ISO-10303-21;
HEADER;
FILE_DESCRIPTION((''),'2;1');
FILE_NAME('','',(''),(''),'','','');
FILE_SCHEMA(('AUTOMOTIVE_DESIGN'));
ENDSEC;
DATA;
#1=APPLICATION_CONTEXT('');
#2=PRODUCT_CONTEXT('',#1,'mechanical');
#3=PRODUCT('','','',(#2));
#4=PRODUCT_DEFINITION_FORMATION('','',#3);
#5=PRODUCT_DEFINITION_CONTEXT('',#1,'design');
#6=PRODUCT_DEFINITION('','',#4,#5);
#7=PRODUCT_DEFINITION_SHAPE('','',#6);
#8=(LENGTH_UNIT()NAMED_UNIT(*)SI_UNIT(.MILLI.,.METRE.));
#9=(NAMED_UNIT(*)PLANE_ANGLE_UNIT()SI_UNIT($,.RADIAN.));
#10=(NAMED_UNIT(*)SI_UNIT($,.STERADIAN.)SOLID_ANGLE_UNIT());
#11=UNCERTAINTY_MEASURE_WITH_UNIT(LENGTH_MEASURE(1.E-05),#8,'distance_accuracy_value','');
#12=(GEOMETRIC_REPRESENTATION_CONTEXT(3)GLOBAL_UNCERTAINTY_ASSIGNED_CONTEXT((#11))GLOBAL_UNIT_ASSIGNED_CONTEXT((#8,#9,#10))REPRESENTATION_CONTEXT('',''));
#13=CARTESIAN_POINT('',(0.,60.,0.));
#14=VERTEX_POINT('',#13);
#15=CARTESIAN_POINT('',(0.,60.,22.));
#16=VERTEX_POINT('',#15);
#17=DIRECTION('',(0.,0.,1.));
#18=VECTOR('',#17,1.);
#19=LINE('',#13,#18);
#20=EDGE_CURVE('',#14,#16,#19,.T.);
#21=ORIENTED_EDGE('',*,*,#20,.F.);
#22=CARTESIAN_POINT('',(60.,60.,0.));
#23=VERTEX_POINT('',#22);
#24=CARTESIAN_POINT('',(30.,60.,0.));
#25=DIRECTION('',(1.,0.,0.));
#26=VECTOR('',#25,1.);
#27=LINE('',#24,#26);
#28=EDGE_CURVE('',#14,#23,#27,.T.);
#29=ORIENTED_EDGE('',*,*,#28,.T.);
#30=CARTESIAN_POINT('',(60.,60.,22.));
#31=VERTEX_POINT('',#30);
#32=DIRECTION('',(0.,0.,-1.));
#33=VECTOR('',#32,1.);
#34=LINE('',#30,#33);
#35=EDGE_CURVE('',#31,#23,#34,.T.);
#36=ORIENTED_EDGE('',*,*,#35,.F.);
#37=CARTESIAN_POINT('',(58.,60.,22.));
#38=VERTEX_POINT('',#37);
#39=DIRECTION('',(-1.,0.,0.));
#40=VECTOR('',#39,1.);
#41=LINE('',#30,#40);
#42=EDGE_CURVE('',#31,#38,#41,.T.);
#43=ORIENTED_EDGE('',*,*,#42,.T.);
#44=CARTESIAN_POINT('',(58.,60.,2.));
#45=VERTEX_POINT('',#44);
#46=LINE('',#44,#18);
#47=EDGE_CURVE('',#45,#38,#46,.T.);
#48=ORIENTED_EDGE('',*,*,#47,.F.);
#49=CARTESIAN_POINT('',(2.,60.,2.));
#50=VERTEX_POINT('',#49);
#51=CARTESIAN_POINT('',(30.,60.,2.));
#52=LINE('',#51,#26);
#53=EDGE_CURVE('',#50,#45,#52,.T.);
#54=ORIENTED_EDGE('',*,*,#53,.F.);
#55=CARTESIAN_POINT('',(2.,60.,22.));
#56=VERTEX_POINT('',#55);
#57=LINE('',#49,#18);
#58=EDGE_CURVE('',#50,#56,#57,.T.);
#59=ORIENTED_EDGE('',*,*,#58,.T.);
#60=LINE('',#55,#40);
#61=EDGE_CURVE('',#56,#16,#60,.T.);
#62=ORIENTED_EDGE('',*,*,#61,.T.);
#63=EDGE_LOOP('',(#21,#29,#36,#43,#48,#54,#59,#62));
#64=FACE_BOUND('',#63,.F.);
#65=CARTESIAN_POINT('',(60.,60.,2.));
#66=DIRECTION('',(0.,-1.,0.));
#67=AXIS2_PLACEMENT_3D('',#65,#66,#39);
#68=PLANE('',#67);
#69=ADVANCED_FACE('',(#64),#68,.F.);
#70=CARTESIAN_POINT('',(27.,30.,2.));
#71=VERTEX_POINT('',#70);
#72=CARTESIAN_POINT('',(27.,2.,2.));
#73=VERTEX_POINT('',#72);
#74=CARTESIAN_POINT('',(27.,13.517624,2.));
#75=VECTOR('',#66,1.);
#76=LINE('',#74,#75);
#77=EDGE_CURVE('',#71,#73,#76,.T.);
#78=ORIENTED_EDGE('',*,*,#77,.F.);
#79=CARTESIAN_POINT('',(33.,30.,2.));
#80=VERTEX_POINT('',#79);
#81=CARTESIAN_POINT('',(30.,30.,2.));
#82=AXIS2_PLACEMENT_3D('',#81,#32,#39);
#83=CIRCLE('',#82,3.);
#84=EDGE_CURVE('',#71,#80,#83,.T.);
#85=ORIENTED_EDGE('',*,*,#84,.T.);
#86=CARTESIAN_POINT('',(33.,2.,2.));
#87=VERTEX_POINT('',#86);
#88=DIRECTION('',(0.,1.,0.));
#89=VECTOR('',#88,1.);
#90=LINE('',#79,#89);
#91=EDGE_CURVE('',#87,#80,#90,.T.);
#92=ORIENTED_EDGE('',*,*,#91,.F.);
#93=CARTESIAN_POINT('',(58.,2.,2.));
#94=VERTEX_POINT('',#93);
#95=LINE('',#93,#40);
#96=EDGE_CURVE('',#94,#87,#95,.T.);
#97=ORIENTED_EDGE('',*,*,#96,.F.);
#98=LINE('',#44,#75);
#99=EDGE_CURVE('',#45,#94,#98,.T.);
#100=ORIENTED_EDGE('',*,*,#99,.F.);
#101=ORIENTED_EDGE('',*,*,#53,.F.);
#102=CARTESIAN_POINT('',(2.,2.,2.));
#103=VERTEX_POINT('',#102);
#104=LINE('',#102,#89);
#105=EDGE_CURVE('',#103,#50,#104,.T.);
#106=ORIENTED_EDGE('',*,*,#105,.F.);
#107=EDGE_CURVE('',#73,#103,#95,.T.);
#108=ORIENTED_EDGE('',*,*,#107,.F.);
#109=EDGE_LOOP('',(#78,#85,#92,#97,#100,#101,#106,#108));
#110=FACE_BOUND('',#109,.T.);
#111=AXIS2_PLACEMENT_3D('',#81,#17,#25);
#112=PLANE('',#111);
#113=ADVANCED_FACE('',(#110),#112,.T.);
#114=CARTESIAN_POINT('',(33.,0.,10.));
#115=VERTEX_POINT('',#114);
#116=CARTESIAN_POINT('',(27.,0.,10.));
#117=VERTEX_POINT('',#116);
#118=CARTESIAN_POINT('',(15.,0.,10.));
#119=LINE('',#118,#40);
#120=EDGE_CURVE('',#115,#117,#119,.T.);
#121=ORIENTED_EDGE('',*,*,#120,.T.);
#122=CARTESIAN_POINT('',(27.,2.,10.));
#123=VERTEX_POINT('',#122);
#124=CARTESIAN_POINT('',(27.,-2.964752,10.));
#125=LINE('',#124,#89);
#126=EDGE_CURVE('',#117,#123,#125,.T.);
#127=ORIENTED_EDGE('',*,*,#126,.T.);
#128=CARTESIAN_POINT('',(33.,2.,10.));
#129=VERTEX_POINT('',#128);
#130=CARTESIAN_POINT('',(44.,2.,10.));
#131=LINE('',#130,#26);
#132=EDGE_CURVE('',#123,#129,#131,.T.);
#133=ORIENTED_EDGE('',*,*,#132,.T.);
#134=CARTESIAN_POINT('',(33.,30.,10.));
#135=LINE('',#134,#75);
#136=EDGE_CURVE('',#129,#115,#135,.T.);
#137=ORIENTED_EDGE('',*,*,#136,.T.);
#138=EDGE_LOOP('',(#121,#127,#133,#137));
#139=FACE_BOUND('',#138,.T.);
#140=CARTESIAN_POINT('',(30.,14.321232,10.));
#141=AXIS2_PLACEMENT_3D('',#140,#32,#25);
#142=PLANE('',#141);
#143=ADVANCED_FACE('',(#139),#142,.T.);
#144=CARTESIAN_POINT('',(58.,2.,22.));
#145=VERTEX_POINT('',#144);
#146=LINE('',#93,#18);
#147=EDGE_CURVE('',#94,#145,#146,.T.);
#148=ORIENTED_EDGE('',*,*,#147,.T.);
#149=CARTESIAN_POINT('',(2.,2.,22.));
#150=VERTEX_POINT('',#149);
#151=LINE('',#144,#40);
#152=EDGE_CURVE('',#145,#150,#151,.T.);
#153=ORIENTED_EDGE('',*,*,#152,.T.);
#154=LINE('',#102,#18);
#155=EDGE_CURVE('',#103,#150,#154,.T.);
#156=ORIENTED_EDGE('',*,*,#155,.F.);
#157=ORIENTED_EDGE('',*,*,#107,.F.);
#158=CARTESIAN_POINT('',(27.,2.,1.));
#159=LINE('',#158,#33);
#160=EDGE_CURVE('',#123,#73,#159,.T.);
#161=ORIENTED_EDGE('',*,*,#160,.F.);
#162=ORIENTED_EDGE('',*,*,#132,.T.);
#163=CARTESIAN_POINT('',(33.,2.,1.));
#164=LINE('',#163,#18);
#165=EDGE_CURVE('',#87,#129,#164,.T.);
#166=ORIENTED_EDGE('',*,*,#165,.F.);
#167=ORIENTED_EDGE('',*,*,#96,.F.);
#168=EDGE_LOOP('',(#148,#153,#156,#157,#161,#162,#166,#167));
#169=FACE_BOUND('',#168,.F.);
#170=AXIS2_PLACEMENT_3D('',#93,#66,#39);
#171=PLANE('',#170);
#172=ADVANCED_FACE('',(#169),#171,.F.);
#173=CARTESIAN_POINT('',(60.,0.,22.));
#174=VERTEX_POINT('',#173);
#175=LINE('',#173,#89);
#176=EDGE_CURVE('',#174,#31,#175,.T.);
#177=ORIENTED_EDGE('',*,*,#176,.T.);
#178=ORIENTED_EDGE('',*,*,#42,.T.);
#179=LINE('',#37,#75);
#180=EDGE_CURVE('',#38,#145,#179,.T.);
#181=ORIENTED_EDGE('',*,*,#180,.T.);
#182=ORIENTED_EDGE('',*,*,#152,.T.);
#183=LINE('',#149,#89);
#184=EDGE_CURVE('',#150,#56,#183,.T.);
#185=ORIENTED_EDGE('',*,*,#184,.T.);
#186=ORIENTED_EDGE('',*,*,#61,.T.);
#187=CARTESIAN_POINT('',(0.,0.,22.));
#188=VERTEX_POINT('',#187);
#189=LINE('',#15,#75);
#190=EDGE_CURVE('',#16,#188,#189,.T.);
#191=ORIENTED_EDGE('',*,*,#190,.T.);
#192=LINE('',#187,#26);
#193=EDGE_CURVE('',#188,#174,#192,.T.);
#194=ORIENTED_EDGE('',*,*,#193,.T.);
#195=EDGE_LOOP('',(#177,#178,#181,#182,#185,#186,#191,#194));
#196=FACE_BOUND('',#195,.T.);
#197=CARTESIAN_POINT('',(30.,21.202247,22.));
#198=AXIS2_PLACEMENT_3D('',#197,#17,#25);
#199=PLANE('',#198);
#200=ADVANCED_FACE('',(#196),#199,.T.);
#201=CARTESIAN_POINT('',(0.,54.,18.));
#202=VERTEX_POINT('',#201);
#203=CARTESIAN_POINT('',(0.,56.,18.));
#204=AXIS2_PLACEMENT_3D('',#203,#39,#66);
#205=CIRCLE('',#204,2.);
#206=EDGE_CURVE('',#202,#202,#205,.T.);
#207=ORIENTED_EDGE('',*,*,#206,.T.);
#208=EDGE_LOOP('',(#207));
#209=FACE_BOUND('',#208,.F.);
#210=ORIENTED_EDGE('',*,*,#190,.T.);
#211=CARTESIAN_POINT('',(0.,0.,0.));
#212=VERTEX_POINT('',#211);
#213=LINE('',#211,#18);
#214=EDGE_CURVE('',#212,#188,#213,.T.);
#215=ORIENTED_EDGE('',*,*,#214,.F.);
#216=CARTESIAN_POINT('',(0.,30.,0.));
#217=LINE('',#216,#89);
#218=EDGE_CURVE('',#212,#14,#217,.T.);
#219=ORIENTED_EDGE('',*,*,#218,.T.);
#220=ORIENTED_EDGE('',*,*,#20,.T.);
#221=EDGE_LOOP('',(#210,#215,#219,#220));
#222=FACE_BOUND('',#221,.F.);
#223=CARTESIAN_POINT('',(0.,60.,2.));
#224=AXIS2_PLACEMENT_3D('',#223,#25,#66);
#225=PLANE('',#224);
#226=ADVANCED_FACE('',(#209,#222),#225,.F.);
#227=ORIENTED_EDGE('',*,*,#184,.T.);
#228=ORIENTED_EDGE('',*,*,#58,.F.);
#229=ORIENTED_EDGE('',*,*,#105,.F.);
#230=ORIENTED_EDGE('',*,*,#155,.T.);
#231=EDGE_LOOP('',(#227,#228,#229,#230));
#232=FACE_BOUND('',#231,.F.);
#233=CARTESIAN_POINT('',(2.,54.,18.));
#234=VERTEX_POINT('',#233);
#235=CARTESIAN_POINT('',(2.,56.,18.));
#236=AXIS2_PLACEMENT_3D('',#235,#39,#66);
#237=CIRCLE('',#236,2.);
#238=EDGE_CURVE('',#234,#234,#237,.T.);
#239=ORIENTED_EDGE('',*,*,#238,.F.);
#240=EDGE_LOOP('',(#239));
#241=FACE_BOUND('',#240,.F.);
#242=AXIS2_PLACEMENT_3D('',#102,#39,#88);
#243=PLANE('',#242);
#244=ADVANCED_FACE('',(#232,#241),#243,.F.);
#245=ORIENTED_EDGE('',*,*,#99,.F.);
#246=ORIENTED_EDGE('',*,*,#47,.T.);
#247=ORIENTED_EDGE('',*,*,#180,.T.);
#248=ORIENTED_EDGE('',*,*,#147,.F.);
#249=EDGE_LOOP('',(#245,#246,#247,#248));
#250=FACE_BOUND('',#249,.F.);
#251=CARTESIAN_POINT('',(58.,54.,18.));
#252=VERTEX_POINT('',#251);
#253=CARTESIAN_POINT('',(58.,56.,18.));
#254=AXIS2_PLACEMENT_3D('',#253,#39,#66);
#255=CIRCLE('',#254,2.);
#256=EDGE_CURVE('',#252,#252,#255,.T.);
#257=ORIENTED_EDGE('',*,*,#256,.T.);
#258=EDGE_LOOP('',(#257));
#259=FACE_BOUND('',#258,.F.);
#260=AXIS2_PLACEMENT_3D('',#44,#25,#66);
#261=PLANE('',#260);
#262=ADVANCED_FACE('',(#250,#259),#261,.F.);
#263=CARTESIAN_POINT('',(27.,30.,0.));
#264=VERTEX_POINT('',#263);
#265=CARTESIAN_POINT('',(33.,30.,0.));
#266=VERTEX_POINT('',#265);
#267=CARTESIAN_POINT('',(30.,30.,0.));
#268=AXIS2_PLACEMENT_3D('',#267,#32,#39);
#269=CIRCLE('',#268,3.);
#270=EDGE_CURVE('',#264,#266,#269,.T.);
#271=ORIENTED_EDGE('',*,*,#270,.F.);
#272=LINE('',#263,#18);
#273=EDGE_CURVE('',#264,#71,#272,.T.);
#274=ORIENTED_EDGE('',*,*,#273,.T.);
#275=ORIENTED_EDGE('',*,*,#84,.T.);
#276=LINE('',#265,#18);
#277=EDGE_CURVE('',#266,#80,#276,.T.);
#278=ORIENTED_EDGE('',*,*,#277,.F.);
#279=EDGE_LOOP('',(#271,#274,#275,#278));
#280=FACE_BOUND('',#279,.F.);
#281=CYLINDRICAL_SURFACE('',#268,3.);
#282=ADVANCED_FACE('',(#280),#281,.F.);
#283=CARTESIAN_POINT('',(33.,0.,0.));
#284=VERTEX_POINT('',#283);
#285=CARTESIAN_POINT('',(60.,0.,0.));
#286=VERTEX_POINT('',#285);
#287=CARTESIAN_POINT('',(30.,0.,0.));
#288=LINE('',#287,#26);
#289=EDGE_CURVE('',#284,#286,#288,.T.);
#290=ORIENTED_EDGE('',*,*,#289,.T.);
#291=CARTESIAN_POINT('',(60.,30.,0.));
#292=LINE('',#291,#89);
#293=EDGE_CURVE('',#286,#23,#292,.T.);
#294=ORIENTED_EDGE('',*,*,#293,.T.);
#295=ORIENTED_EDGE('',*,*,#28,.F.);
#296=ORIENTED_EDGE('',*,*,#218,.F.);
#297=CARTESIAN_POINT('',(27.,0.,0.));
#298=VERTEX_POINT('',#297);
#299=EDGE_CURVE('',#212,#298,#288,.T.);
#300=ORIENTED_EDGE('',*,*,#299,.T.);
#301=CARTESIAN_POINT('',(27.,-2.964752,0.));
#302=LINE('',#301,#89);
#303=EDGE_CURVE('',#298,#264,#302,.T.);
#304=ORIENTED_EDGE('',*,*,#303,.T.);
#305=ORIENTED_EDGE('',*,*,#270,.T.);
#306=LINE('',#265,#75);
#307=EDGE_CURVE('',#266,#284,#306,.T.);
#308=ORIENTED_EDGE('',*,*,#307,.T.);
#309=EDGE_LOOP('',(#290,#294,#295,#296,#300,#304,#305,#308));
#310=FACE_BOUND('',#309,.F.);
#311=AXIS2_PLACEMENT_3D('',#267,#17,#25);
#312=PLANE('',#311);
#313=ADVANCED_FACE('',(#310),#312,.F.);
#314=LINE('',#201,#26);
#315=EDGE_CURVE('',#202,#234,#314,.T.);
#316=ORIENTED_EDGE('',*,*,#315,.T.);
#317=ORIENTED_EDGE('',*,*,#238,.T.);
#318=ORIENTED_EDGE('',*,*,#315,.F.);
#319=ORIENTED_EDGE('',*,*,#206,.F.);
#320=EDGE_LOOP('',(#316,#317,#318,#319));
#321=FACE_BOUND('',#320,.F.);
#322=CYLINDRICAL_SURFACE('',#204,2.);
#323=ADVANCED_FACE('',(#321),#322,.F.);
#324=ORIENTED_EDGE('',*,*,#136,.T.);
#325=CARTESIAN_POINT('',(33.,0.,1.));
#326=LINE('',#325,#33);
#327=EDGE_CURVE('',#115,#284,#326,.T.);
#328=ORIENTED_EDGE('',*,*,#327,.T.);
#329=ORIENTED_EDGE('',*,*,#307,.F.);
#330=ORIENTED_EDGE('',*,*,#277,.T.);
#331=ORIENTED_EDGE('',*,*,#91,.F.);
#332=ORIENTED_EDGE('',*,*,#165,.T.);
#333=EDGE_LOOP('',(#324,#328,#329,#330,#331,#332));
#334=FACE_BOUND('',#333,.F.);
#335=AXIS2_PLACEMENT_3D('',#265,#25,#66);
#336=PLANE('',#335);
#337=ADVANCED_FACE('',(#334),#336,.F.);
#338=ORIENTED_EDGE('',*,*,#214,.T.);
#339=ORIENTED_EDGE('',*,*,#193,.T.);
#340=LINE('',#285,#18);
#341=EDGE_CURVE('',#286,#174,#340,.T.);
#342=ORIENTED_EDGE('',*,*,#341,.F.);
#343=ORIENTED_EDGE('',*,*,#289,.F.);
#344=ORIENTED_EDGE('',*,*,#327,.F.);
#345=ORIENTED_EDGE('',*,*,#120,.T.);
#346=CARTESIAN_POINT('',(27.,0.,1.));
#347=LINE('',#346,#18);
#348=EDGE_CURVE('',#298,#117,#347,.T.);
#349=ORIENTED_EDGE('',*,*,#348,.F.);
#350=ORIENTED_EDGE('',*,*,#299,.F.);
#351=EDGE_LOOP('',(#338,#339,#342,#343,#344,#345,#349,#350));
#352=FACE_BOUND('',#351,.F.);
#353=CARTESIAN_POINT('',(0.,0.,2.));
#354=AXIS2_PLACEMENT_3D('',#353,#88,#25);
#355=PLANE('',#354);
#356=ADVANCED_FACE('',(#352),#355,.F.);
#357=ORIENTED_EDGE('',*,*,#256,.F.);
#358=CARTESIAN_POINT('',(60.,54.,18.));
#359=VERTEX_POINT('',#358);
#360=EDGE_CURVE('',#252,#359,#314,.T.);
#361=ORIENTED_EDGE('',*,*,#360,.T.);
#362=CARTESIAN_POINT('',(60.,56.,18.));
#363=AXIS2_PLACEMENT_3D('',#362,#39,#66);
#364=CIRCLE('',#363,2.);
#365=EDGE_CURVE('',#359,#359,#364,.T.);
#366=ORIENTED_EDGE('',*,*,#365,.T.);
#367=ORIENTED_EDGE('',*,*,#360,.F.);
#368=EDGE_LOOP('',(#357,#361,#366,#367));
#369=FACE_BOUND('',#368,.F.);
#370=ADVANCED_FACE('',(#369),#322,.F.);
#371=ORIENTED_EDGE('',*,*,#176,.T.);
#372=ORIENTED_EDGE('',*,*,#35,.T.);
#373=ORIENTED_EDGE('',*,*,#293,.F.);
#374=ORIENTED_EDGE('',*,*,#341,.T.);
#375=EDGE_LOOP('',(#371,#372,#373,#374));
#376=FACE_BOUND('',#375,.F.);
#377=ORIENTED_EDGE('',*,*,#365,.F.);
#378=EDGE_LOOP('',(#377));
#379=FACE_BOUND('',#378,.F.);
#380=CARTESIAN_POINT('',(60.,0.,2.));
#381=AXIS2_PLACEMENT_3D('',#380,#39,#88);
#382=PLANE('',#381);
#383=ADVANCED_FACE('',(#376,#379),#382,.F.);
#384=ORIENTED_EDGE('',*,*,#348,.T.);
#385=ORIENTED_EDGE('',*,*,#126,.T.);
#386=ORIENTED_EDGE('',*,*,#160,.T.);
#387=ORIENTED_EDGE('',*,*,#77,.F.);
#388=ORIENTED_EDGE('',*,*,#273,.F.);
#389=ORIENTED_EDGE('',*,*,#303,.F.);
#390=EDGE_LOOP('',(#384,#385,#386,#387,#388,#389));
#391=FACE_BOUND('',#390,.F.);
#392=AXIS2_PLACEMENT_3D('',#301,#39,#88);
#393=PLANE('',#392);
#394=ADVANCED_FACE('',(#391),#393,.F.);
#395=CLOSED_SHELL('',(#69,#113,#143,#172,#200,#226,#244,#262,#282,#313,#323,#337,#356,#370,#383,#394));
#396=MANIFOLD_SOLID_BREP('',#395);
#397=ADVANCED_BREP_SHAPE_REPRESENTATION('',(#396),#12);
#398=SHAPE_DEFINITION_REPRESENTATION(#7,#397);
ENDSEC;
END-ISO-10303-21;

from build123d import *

# Parameters (mm, degrees)
F0_W     = 60
F0_H     = 60
F1_DEPTH = 2
F3_DEPTH = 20
F5_DEPTH = 10
F6_R     = 2
F7_DEPTH = 69.4


with BuildPart() as f1:
    # F0 (on Top) → F1 (new body)
    with BuildSketch(Plane.XY):
        with Locations((30, 30)):
            Rectangle(F0_W, F0_H)
    extrude(amount=F1_DEPTH)

    # F2 (on face) → F3 (join)
    with BuildSketch(Plane.XY.offset(2)):
        Polygon((58, 2), (2, 2), (2, 60), (0, 60), (0, 0), (60, 0), (60, 60), (58, 60), align=None)
    extrude(amount=F3_DEPTH)

    # F4 (on face) → F5 (cut)
    with BuildSketch(Plane(origin=(0, 0, 0), x_dir=(1, 0, 0), z_dir=(0, 0, -1))):
        with BuildLine():
            Line((33, 2.964752), (27, 2.964752))
            Line((27, 2.964752), (27, -30))
            ThreePointArc((27, -30), (30, -33), (33, -30))
            Line((33, -30), (33, 2.964752))
        make_face()
    extrude(amount=-F5_DEPTH, mode=Mode.SUBTRACT)

    # F6 (on face) → F7 (cut)
    with BuildSketch(Plane(origin=(0, 0, 0), x_dir=(0, -1, 0), z_dir=(-1, 0, 0))):
        with Locations((-56, 18)):
            Circle(F6_R)
    extrude(amount=-F7_DEPTH, mode=Mode.SUBTRACT)


solid = f1.part
